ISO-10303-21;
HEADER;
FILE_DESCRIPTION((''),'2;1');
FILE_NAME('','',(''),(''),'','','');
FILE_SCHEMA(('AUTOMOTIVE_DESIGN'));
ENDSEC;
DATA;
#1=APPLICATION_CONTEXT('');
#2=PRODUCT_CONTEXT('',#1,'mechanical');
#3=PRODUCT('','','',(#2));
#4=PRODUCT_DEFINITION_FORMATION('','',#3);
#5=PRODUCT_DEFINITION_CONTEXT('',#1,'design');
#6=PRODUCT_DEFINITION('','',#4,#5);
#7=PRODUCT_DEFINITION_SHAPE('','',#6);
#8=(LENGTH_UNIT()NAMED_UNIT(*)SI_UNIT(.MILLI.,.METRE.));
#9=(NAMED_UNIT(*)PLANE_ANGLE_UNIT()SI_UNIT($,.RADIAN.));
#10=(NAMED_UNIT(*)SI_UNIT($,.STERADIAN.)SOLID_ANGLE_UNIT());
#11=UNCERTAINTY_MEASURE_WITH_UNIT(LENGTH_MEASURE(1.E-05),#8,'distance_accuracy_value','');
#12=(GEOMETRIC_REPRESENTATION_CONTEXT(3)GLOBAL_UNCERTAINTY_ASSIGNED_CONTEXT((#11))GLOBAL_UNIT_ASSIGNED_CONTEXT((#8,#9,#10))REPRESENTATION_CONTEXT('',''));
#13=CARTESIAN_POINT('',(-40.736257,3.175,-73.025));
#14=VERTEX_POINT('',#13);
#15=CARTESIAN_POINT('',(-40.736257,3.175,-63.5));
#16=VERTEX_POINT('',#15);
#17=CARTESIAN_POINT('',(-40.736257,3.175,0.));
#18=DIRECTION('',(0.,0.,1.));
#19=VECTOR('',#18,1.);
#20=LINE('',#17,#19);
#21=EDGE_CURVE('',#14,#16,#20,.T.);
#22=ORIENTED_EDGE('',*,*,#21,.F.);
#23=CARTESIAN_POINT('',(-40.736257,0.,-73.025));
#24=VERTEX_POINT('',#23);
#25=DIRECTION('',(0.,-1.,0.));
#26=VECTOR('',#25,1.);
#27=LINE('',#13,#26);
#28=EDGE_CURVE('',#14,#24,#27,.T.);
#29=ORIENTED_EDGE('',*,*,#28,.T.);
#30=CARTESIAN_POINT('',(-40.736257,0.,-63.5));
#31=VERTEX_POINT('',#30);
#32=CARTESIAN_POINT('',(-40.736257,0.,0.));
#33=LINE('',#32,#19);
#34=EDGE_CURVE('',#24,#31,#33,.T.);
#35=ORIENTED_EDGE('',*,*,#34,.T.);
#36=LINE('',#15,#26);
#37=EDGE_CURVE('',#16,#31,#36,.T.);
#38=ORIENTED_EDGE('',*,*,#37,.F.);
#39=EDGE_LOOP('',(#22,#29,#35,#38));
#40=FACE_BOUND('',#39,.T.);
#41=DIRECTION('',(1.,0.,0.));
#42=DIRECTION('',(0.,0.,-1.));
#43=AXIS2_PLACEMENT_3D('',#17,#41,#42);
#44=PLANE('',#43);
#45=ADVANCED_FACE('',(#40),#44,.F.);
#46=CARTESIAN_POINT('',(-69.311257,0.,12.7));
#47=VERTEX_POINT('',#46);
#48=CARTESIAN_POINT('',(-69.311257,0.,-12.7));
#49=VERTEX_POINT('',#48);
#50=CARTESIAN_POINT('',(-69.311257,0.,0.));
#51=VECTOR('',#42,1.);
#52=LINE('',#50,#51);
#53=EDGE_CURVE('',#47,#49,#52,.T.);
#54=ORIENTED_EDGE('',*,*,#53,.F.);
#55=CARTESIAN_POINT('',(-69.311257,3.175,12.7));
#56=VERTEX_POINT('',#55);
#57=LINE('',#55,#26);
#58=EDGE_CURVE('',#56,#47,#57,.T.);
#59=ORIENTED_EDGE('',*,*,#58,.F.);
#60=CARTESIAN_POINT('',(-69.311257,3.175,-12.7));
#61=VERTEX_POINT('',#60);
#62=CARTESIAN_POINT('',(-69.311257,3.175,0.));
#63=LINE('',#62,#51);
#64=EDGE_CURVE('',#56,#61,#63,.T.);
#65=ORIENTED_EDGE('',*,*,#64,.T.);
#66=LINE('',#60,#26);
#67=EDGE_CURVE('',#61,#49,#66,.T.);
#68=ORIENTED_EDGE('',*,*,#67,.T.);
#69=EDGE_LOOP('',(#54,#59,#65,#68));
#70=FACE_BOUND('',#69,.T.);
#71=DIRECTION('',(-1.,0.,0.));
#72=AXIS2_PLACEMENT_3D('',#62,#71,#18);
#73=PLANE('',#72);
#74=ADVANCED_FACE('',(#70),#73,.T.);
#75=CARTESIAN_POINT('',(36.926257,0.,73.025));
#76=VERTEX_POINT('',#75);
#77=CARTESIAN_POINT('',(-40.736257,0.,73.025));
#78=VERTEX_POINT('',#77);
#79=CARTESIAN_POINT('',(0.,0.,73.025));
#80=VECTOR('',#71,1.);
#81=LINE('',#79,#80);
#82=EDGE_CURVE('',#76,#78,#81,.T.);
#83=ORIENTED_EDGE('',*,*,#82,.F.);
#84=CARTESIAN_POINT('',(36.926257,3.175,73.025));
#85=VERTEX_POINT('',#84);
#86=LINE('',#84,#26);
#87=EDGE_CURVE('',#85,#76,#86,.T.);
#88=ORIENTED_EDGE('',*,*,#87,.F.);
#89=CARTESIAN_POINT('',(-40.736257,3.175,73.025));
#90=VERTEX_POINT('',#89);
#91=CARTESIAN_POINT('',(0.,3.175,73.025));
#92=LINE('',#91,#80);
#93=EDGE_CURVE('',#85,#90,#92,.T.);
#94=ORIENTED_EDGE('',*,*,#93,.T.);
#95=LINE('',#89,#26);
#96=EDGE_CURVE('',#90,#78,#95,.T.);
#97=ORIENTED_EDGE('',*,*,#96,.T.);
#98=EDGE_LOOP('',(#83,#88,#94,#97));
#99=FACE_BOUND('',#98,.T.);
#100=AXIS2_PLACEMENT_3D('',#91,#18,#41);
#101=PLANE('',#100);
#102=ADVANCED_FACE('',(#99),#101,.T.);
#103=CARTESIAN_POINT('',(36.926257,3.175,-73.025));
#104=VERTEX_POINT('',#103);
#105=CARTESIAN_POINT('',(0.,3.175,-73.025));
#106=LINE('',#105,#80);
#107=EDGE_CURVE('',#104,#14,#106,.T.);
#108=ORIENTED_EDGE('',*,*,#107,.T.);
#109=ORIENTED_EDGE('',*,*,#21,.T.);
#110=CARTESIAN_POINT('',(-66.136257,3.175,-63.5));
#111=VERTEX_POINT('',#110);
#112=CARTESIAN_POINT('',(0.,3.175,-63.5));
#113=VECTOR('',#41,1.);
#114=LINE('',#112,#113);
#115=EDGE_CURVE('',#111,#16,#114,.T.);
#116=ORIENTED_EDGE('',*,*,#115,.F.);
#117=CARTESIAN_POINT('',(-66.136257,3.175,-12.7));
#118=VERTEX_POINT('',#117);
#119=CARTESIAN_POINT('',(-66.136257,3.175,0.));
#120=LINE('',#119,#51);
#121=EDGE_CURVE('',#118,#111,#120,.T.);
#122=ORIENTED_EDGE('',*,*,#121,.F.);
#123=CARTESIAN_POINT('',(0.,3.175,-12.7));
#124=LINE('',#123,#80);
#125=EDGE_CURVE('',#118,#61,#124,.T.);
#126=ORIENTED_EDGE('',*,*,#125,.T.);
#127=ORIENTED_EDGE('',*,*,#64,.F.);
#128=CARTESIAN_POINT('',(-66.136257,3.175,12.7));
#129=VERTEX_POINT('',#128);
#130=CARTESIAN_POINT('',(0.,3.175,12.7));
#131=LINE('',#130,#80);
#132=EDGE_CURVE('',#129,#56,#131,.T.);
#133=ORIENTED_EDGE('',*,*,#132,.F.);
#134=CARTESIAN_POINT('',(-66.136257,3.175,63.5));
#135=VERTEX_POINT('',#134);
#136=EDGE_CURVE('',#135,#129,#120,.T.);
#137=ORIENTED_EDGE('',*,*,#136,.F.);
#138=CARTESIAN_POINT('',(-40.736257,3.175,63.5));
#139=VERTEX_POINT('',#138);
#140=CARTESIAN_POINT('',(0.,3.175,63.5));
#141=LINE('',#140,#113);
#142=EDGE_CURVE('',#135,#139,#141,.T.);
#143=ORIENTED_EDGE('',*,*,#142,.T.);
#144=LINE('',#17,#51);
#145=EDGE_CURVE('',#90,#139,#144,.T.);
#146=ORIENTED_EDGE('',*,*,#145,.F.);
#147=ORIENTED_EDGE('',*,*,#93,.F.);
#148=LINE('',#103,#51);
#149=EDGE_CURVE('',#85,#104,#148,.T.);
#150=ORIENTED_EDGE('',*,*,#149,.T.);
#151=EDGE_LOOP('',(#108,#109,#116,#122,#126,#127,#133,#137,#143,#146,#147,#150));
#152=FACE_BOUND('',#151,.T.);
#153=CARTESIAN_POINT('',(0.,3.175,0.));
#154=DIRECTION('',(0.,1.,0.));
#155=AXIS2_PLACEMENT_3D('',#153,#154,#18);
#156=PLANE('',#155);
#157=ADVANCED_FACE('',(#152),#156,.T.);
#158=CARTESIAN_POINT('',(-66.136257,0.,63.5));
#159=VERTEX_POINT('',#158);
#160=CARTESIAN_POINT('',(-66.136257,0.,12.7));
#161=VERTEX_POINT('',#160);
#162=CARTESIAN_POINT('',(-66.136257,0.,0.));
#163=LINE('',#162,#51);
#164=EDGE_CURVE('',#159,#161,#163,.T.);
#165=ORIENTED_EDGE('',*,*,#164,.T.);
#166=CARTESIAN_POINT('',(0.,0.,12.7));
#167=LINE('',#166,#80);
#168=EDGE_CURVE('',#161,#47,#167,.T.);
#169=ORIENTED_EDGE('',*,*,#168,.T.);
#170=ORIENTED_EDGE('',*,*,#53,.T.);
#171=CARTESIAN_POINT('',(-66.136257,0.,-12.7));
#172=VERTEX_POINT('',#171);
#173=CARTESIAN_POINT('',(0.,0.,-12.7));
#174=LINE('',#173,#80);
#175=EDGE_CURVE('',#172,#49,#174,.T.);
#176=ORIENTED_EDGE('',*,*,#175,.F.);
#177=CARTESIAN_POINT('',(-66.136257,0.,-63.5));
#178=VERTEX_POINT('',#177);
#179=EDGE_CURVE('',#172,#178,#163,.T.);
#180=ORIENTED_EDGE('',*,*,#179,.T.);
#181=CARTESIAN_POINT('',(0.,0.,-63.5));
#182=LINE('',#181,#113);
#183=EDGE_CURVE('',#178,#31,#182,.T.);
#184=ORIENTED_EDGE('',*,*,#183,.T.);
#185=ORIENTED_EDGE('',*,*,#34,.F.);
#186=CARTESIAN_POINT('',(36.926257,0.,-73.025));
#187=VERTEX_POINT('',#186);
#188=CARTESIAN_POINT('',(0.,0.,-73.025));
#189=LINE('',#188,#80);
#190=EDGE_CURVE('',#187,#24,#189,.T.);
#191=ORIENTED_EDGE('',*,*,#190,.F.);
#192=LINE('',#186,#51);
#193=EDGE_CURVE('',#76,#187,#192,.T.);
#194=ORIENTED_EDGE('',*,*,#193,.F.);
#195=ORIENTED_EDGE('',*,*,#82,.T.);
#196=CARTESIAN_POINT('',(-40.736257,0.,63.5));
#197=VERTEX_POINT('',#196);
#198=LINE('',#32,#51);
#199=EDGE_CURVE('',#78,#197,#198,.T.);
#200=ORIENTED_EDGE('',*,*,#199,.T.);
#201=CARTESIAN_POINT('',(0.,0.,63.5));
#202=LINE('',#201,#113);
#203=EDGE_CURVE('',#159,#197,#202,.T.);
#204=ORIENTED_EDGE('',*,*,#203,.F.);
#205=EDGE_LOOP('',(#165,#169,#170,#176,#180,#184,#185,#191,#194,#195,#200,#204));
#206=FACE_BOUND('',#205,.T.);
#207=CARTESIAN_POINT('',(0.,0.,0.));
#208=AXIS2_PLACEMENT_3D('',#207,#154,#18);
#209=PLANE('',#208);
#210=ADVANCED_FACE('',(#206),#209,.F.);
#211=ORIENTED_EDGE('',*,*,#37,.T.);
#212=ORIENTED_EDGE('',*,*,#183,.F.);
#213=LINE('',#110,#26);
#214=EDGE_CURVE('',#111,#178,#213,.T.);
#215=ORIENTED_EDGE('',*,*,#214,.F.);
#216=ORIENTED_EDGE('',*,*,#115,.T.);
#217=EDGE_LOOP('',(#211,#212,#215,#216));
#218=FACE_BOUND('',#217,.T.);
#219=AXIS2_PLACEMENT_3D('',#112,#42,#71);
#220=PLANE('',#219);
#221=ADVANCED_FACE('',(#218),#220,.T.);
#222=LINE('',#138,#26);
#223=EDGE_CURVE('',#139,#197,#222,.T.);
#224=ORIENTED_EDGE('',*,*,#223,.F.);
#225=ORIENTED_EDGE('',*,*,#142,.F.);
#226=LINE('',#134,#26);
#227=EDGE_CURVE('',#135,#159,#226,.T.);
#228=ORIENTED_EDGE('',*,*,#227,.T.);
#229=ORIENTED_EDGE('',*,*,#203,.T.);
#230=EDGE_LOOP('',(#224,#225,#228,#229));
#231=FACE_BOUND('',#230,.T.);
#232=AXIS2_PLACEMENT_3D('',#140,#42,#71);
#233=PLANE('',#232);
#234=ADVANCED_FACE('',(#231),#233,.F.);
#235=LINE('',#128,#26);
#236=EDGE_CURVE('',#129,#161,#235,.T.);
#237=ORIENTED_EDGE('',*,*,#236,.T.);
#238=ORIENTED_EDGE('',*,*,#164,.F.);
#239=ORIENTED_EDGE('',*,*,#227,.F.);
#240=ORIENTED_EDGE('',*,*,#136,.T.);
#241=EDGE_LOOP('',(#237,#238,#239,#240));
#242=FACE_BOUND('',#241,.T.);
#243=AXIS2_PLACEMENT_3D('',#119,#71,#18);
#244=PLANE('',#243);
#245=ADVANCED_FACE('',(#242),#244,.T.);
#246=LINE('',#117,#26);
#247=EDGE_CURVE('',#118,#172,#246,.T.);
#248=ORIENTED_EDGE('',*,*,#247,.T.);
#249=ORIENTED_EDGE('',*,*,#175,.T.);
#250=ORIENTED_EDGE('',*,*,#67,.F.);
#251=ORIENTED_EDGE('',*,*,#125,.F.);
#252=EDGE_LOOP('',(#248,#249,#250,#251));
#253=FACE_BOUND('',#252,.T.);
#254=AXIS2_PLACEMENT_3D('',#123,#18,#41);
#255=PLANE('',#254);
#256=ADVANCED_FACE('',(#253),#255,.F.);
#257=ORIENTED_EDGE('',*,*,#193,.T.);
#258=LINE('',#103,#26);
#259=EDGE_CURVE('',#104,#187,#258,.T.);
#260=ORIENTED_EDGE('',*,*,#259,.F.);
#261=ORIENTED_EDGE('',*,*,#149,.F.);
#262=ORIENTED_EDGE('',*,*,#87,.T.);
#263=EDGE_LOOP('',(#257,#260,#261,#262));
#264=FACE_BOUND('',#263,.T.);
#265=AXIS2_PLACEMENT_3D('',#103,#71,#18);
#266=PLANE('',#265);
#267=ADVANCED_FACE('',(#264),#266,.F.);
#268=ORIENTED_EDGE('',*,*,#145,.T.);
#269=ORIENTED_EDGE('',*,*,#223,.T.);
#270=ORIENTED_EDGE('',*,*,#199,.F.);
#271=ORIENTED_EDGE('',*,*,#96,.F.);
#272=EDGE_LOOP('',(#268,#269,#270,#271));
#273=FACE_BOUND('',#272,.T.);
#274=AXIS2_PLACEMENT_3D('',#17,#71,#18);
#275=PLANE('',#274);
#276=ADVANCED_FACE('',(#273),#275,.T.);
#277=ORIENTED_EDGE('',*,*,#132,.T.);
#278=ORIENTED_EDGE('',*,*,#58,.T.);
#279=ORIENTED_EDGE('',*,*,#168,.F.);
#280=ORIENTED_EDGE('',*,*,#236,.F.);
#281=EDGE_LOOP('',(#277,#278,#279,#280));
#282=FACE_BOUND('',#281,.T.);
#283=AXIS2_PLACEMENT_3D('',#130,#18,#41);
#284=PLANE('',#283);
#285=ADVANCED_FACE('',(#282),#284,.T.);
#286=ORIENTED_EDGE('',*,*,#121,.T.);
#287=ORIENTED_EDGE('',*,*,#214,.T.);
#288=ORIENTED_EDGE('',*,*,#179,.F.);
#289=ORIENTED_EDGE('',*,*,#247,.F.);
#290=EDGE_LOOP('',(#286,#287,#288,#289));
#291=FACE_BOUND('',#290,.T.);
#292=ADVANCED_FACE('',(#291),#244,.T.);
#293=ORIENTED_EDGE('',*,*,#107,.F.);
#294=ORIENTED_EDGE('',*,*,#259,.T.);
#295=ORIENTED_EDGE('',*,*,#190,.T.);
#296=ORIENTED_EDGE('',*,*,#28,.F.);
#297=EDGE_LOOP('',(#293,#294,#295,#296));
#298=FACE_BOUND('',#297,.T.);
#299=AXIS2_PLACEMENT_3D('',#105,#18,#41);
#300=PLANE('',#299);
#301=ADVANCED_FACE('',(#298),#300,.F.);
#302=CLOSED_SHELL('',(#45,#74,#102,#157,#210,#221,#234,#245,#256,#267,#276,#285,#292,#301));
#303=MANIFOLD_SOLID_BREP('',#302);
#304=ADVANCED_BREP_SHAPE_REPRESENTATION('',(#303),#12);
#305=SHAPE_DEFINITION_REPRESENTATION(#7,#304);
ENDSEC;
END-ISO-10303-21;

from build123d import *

# Parameters (mm, degrees)
BOSS_EXTRUDE1_DEPTH = 3.175
SKETCH2_W           = 29.21
SKETCH2_H           = 146.05
CUT_EXTRUDE1_DEPTH  = 101.731234192


with BuildPart() as part:
    # Sketch1 → Boss-Extrude1 (new body)
    with BuildSketch(Plane(origin=(0, 0, 0), x_dir=(1, 0, 0), z_dir=(0, 1, 0))):
        Polygon((-40.736256602, -73.025), (59.786256602, -73.025), (59.786256602, -63.5), (66.136256602, -63.5), (66.136256602, 63.5), (59.786256602, 63.5), (59.786256602, 73.025), (-40.736256602, 73.025), (-40.736256602, 63.5), (-66.136256602, 63.5), (-66.136256602, 12.7), (-69.311256602, 12.7), (-69.311256602, -12.7), (-66.136256602, -12.7), (-66.136256602, -63.5), (-40.736256602, -63.5), align=None)
    extrude(amount=BOSS_EXTRUDE1_DEPTH)

    # Sketch2 → Cut-Extrude1 (cut, through all)
    with BuildSketch(Plane.XZ):
        with Locations((51.531256602, 0)):
            Rectangle(SKETCH2_W, SKETCH2_H)
    extrude(amount=-CUT_EXTRUDE1_DEPTH, mode=Mode.SUBTRACT)


solid = part.part
